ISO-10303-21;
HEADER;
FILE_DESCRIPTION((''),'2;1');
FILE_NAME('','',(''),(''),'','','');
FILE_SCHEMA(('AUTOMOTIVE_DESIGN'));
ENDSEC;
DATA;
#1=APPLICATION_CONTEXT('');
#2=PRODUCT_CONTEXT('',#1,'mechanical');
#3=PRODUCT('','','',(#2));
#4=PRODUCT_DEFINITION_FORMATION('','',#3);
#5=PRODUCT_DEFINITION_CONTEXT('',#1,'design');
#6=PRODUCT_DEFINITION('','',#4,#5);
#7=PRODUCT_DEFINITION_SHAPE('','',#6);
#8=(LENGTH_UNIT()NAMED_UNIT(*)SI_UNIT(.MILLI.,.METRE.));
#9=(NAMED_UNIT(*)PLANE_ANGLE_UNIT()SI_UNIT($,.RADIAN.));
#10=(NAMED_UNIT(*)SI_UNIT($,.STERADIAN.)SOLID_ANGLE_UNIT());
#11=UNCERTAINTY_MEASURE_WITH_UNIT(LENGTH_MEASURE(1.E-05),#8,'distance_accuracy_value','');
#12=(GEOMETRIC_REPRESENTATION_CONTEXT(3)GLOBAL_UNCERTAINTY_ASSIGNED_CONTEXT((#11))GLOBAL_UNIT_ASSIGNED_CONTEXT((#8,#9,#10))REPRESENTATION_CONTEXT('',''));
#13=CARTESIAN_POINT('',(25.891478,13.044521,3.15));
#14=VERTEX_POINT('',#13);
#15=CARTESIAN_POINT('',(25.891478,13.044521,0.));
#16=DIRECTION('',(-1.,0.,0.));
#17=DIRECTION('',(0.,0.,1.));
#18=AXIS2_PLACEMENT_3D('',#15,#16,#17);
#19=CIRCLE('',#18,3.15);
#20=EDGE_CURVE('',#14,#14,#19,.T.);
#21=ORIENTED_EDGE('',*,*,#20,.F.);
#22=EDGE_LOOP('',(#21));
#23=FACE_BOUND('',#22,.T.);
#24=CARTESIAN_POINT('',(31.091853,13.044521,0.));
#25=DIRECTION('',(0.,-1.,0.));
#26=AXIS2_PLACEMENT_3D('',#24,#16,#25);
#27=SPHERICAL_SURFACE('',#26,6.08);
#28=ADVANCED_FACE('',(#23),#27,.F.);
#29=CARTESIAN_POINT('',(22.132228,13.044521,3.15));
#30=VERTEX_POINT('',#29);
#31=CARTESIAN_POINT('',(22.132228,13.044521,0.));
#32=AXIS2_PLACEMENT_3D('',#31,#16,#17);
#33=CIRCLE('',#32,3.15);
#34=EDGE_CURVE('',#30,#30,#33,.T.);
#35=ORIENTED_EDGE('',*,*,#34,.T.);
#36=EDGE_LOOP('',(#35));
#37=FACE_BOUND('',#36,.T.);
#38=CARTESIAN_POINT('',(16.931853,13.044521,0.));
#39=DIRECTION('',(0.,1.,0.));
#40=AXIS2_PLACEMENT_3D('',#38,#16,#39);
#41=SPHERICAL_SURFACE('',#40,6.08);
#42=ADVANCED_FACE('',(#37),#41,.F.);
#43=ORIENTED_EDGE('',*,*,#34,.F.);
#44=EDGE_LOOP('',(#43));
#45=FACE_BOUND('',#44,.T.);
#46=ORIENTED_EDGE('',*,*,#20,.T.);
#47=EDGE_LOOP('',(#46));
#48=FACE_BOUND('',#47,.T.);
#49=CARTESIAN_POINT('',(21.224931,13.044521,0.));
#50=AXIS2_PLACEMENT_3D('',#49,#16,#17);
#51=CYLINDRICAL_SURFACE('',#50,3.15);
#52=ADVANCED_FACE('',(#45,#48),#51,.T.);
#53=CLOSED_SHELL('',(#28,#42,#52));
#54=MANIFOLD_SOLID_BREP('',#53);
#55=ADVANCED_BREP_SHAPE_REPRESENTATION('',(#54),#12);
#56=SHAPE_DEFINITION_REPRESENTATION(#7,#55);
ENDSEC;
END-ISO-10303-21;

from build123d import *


with BuildPart() as part:
    # 草图2 → 旋转1 (revolve)
    with BuildSketch(Plane.XY, mode=Mode.PRIVATE) as revolve_1_sk:
        with BuildLine():
            Line((23.011852872, 13.044520575), (25.011852872, 13.044520575))
            ThreePointArc((25.011852872, 13.044520575), (25.235886687, 14.679775919), (25.891477885, 16.194520575))
            Line((25.891477885, 16.194520575), (24.011852872, 16.194520575))
            Line((24.011852872, 16.194520575), (22.132227858, 16.194520575))
            ThreePointArc((22.132227858, 16.194520575), (22.787819057, 14.679775919), (23.011852872, 13.044520575))
        make_face()
    revolve(revolve_1_sk.sketch.rotate(Axis((21.224930557, 13.044520575, 0), (1, 0, 0)), 90), axis=Axis((21.224930557, 13.044520575, 0), (1, 0, 0)))  # turned: the seam where the file's is


solid = part.part
